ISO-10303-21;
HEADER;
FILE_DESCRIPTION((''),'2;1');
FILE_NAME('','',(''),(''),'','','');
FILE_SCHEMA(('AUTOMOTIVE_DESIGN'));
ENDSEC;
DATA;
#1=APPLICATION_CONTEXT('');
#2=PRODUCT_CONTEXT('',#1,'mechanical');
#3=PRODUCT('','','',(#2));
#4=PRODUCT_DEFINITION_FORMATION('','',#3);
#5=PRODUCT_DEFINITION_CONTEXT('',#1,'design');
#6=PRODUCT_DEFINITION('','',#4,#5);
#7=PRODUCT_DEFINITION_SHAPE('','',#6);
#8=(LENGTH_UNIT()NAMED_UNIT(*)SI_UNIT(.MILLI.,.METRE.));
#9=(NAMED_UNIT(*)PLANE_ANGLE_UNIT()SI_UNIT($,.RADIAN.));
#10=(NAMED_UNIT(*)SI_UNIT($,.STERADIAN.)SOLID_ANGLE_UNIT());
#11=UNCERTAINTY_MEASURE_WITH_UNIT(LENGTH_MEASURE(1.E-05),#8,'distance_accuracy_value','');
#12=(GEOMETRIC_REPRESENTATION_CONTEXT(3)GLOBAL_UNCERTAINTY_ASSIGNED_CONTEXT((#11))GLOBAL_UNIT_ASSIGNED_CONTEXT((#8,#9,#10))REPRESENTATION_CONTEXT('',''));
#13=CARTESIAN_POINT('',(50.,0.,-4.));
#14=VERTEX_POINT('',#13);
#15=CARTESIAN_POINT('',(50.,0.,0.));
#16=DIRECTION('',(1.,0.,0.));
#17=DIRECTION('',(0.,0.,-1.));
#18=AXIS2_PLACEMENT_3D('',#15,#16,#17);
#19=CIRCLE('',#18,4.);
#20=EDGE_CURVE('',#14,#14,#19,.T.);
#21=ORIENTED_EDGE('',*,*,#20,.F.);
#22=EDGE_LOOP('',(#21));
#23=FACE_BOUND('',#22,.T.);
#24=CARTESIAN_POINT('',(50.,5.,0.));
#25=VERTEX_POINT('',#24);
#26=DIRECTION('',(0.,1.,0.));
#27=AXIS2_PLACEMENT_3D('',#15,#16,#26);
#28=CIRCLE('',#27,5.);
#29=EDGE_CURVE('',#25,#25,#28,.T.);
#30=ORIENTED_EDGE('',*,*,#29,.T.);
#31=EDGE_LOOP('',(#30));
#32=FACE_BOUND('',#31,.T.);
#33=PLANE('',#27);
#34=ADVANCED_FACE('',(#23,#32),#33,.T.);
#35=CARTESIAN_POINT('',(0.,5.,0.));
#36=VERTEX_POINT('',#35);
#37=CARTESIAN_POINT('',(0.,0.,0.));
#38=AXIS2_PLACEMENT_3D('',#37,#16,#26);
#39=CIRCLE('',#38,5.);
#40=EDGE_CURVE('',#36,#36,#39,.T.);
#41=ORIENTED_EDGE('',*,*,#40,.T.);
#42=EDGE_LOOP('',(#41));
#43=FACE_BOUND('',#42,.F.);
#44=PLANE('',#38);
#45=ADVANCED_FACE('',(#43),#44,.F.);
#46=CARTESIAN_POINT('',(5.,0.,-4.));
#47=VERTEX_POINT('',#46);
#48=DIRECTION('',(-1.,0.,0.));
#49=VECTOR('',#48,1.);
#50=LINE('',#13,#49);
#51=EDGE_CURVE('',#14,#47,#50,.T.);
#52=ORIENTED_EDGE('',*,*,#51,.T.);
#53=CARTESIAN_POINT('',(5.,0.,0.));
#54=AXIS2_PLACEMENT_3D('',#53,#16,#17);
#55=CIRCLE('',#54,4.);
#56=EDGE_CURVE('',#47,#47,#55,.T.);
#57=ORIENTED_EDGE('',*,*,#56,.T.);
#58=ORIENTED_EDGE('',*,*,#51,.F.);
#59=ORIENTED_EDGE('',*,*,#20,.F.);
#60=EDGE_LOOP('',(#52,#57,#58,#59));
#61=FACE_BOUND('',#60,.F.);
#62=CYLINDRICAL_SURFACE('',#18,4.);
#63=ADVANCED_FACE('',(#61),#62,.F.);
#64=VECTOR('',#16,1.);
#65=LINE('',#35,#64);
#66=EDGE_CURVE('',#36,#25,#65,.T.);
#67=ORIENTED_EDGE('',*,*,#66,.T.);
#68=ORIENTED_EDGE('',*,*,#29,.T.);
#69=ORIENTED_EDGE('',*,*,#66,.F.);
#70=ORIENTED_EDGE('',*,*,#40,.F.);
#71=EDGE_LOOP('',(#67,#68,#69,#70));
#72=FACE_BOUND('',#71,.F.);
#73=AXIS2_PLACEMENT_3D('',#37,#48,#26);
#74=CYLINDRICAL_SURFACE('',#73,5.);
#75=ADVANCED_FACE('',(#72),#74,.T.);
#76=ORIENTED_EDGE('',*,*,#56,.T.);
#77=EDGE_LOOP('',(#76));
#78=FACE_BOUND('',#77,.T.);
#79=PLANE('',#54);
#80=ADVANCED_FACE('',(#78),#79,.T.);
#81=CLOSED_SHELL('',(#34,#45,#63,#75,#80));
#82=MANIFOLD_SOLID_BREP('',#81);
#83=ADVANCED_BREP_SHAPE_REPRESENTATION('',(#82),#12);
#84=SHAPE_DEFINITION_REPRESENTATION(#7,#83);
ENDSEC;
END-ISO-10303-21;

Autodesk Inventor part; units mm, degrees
ref_plane "YZ Plane" through (0, 0, 0) normal (1, 0, 0) x (0, 1, 0)
ref_plane "XZ Plane" through (0, 0, 0) normal (0, 1, 0) x (-1, 0, 0)
ref_plane "XY Plane" through (0, 0, 0) normal (0, 0, 1) x (1, 0, 0)
sketch "Sketch1" plane through (0, 0, 0) normal (1, 0, 0) x (0, 1, 0)
  circle A0 centre (0, 0) radius 5
  dimension "d0" = 10
extrude "Extrusion1" add sketch "Sketch1" along normal blind 50
sketch "Sketch2" plane through (50, 0, 0) normal (1, 0, 0) x (0, 0, -1)
  circle A0 centre (0, 0) radius 4
  dimension "d3" = 8
extrude "Extrusion2" cut sketch "Sketch2" against normal blind 45
properties part number "5cmextender" material "PVC-Piping"
